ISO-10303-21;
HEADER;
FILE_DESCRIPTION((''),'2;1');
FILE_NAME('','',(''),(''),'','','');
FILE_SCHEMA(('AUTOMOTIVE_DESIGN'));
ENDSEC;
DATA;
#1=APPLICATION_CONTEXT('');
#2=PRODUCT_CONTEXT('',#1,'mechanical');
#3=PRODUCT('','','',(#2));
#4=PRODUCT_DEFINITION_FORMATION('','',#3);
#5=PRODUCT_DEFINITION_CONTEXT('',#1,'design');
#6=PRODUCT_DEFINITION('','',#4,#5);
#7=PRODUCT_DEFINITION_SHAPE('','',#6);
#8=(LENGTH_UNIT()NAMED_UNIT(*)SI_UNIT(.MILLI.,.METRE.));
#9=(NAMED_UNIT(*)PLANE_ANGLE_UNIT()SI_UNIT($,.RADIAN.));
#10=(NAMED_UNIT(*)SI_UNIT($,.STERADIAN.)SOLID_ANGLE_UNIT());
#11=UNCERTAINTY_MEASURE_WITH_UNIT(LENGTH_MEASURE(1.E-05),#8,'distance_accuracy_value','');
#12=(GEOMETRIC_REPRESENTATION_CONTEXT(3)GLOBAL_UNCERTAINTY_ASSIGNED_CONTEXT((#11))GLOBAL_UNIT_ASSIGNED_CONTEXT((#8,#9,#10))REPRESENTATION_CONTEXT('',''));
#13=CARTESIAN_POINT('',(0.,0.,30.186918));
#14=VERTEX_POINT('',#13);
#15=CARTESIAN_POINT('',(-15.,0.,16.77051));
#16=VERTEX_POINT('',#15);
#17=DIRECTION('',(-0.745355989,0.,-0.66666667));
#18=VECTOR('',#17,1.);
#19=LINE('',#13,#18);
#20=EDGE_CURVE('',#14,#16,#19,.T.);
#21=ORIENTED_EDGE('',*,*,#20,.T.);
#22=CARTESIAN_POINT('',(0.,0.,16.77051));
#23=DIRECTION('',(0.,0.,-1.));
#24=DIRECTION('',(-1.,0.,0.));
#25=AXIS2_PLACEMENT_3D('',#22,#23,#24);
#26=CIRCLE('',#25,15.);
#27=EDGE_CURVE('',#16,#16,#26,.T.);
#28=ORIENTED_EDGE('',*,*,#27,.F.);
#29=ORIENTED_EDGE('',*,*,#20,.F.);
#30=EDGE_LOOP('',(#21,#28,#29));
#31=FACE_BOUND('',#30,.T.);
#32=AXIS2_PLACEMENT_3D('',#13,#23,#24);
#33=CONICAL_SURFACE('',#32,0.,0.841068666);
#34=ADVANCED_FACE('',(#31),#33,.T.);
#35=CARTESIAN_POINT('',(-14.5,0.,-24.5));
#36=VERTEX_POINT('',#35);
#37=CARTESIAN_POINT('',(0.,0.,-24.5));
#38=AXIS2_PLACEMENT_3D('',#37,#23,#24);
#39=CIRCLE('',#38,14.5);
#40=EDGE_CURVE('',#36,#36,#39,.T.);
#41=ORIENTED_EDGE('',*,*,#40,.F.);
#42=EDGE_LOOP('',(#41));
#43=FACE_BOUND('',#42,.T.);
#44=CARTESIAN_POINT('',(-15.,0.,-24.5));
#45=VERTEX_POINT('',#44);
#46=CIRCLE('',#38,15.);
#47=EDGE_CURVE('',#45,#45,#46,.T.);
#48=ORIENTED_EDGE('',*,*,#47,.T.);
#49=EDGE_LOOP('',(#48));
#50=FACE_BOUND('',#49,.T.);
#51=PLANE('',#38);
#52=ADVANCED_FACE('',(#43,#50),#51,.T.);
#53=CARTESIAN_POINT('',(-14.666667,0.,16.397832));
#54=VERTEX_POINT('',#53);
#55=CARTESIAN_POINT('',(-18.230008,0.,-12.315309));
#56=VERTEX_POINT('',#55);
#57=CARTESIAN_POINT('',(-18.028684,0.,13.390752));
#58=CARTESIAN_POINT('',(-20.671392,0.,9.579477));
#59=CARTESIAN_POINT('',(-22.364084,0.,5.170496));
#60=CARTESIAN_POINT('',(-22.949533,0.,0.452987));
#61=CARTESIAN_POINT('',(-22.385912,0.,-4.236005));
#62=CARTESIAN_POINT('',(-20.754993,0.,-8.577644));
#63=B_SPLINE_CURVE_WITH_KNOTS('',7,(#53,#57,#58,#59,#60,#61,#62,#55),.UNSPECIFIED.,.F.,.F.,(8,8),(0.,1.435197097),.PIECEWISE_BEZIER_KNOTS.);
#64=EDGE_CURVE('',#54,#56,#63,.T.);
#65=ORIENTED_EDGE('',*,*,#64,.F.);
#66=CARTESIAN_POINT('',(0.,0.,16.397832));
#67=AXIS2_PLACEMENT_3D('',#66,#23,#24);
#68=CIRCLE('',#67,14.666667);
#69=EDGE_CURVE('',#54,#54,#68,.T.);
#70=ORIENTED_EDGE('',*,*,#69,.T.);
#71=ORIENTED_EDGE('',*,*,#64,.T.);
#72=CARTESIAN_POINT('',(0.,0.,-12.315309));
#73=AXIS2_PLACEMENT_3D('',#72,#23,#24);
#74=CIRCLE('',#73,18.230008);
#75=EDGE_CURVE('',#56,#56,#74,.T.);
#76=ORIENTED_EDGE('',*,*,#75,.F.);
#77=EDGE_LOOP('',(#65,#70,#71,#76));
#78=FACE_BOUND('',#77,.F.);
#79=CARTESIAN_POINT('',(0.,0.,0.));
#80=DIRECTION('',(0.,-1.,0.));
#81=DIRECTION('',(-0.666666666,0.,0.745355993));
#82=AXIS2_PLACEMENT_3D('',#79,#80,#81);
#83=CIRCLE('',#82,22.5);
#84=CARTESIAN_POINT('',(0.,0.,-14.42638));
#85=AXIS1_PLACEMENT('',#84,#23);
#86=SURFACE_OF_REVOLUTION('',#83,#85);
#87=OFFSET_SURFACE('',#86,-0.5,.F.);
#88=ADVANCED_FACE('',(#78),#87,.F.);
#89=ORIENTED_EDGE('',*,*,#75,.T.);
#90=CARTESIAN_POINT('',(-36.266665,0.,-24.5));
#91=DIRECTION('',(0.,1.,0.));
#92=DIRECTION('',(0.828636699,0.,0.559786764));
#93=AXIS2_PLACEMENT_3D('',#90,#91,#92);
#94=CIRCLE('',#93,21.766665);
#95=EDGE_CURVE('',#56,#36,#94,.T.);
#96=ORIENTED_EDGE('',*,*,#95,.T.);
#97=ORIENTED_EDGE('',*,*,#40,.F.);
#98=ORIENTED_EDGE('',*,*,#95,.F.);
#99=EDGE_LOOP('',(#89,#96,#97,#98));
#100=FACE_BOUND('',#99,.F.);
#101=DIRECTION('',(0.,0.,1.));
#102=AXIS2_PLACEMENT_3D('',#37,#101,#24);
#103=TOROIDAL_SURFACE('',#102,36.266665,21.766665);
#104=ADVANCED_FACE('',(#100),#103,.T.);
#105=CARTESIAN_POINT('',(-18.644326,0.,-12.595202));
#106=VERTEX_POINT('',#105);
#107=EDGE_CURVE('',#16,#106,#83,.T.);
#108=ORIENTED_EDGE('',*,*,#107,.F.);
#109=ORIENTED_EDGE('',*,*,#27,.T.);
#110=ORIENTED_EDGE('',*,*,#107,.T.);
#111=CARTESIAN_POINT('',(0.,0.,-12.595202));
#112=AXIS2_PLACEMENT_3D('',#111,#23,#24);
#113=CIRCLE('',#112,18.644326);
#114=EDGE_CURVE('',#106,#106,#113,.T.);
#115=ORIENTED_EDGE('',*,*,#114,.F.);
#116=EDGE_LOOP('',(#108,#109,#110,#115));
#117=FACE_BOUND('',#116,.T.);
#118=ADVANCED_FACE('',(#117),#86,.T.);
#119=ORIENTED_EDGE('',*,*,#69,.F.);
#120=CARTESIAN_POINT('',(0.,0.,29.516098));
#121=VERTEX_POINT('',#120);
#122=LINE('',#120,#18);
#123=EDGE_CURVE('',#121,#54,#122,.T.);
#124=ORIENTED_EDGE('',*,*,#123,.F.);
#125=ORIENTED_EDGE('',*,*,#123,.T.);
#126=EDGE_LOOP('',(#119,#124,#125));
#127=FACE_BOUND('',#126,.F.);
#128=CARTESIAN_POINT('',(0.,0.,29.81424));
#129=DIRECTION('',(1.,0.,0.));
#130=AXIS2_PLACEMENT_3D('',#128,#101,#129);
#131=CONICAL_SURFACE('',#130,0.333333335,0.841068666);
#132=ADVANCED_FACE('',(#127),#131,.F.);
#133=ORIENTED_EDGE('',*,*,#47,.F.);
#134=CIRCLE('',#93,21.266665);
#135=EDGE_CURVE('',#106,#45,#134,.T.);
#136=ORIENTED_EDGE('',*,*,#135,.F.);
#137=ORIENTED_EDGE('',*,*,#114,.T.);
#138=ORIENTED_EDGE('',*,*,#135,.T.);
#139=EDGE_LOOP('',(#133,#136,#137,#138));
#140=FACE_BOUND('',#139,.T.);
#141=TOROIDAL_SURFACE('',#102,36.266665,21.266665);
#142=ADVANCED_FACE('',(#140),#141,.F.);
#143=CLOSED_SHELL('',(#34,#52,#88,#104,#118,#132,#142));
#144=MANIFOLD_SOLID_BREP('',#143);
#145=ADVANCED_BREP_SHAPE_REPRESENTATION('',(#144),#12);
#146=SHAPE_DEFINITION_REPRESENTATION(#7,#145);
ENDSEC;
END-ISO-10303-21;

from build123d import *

# Parameters (mm, degrees)
F2_T = -0.5


with BuildPart() as f1:
    # F0 (on Front) → F1 (revolve)
    with BuildSketch(Plane.XZ):
        with BuildLine():
            Line((0, 30.186918), (-15, 16.77051))
            ThreePointArc((-15, 16.77051), (-22.328713, 2.771025), (-18.644326, -12.595202))
            ThreePointArc((-18.644326, -12.595202), (-15.931481, -18.274943), (-15, -24.5))
            Line((-15, -24.5), (0, -24.5))
            Line((0, -24.5), (0, 30.186918))
        make_face()
    revolve(axis=Axis((0, 0, -14.42638), (0, 0, -1)))

    # F2
    f2_openings = [f1.faces().sort_by_distance(p)[0] for p in [
        (0, 0, -24.5),
    ]]
    offset(amount=F2_T, openings=f2_openings)


solid = f1.part
